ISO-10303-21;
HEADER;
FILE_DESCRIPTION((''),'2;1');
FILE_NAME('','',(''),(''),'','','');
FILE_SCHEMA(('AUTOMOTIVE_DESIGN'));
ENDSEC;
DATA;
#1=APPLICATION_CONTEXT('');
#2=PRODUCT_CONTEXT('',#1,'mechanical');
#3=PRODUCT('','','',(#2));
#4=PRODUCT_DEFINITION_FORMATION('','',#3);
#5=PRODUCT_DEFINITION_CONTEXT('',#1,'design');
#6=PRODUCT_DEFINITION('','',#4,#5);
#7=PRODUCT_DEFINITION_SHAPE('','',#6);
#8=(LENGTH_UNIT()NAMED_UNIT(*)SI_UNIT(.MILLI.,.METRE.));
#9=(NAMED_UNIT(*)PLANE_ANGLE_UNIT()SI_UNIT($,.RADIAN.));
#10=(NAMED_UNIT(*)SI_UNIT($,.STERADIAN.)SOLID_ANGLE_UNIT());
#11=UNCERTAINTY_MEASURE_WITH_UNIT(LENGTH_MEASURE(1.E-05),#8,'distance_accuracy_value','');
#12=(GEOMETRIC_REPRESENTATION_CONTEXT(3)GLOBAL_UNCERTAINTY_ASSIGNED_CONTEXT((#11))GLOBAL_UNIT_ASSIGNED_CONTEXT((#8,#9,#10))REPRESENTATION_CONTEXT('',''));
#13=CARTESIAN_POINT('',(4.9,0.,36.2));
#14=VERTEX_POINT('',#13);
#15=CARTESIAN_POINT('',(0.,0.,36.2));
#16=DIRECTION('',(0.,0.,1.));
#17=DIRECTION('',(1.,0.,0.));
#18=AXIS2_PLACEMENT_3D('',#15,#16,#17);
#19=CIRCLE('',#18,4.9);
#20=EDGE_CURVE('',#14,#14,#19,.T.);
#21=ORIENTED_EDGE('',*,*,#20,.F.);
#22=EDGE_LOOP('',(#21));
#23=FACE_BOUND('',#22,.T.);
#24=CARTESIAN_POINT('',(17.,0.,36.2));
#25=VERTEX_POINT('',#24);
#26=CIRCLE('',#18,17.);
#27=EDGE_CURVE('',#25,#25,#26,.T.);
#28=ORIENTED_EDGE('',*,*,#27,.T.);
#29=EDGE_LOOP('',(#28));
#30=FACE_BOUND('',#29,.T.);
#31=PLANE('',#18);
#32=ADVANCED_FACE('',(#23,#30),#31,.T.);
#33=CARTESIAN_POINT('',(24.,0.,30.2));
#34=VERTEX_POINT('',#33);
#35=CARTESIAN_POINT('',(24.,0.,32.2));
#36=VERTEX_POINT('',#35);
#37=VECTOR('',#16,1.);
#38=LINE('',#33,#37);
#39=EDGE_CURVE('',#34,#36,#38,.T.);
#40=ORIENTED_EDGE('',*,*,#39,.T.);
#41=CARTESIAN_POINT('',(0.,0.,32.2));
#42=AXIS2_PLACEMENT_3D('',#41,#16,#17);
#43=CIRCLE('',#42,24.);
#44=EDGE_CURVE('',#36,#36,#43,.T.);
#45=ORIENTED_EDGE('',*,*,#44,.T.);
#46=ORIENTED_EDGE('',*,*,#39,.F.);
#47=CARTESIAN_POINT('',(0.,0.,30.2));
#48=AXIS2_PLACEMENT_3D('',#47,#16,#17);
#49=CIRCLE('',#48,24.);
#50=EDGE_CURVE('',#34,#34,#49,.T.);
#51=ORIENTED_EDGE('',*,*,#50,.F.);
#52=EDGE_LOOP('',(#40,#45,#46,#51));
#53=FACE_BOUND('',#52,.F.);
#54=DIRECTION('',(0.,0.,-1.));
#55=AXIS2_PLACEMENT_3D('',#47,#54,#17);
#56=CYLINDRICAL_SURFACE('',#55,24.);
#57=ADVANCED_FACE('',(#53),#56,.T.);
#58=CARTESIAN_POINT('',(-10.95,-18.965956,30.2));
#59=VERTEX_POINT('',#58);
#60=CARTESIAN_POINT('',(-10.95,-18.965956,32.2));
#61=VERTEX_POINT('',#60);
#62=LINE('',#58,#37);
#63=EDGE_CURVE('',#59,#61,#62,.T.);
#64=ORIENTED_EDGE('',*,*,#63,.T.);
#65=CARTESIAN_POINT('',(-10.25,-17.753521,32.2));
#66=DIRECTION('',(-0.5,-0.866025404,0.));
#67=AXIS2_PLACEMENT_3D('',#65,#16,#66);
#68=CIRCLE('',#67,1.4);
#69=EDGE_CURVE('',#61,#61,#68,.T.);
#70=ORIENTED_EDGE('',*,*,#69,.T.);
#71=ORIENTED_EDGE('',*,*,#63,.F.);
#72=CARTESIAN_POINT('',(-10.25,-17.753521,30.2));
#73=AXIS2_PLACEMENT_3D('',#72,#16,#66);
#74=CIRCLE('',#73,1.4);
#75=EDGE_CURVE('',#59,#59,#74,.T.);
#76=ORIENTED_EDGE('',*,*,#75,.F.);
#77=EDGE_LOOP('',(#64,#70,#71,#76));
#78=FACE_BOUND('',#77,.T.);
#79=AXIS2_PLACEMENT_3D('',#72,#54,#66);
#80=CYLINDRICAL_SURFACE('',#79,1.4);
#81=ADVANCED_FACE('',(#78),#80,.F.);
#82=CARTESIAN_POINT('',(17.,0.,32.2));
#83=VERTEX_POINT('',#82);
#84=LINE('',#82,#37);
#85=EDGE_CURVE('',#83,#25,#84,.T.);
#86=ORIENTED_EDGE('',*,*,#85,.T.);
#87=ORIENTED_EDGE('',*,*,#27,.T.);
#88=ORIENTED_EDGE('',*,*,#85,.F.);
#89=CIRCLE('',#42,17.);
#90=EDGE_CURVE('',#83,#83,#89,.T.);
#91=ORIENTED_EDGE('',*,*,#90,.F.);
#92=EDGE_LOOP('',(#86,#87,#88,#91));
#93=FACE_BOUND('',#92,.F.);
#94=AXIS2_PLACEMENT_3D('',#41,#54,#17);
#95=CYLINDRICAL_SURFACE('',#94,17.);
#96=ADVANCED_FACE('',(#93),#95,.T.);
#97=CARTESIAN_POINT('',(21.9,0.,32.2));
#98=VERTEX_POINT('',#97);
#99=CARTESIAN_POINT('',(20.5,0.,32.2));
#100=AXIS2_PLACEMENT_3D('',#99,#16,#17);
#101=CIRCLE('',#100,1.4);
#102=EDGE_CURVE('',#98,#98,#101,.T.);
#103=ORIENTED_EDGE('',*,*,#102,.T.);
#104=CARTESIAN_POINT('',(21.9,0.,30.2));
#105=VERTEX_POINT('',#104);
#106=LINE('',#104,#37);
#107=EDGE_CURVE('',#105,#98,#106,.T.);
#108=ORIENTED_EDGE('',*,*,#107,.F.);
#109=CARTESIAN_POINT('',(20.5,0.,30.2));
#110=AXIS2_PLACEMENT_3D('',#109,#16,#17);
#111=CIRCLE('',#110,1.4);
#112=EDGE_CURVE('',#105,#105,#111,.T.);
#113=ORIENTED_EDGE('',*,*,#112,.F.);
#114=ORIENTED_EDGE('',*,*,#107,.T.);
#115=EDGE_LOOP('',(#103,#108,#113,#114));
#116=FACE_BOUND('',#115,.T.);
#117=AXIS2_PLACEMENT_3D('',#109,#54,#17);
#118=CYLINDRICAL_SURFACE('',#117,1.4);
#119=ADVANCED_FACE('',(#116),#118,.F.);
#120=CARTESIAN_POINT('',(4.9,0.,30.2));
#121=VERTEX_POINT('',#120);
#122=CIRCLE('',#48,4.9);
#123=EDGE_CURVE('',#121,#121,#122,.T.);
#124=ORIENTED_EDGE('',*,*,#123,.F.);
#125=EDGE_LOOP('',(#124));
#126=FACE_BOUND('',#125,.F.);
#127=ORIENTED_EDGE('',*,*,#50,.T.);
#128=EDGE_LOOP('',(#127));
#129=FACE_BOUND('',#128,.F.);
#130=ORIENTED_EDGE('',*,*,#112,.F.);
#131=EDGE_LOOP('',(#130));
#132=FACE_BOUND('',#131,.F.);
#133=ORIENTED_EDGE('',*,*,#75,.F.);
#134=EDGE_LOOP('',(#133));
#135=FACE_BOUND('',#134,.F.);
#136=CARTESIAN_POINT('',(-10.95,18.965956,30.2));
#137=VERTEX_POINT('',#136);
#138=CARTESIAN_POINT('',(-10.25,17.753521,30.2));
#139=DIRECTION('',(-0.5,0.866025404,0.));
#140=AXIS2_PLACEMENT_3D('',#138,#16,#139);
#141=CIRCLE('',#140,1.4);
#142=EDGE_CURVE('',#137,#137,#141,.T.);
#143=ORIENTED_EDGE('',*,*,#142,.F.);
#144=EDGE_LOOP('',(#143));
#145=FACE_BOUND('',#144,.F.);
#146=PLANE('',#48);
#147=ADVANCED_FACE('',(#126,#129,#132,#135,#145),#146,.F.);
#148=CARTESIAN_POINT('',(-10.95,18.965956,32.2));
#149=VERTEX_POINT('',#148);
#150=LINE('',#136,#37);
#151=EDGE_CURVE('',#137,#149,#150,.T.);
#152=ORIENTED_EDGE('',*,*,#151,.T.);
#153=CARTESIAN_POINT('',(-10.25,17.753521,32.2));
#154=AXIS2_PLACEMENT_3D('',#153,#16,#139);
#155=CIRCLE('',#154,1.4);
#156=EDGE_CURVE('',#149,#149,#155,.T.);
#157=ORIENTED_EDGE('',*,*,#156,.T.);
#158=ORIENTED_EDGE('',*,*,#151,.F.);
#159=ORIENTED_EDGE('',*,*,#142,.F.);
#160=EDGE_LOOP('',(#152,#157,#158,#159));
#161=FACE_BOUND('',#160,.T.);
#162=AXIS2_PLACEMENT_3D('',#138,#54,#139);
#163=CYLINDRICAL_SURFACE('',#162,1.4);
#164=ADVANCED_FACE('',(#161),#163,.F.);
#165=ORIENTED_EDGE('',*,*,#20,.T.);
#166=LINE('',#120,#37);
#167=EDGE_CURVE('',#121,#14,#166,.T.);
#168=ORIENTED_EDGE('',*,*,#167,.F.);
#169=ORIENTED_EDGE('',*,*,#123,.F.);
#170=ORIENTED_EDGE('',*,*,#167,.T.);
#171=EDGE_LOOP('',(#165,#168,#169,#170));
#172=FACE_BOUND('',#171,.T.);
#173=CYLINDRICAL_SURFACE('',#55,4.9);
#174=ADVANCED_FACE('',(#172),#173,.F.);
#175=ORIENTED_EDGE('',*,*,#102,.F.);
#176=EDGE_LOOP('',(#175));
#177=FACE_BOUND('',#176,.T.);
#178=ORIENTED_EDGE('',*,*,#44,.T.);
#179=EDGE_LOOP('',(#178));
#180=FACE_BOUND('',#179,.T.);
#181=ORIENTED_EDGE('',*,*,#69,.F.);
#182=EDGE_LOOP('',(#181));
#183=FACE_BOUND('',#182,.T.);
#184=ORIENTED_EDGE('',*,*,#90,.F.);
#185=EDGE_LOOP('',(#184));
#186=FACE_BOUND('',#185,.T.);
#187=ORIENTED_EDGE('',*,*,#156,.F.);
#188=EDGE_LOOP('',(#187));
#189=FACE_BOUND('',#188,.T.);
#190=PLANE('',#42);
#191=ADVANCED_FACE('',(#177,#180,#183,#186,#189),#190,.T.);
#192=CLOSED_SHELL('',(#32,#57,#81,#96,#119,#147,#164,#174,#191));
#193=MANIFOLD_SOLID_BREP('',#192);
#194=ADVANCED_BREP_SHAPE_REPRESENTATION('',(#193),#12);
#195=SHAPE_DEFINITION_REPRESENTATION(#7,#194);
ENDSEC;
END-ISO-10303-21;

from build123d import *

# Parameters (mm, degrees)
CYLINDER058_R     = 1.4
CYLINDER058_DEPTH = 2
ARRAY012_COUNT    = 3
CYLINDER057_R     = 4.9
CYLINDER057_DEPTH = 6
CYLINDER056_R     = 24
CYLINDER056_DEPTH = 2
CYLINDER055_R     = 17
CYLINDER055_DEPTH = 4


with BuildPart() as screw_holes:
    # Cylinder058 → Cylinder058 (new body)
    with BuildSketch(Plane(origin=(20.5, 0, 0), x_dir=(1, 0, 0), z_dir=(0, 0, 1))):
        Circle(CYLINDER058_R)
    extrude(amount=CYLINDER058_DEPTH)

    # Array012: screw-holes ×3 about axis
    array012_axis = Axis((0, 0, 0), (0, 0, 1))


with BuildPart() as screw_holes_1:
    add(screw_holes.part)
    for i in range(1, ARRAY012_COUNT):
        add(screw_holes.part.rotate(array012_axis, i * 360 / ARRAY012_COUNT))


with BuildPart() as pot_thread_hole:
    # Cylinder057 → Cylinder057 (new body)
    with BuildSketch(Plane.XY):
        Circle(CYLINDER057_R)
    extrude(amount=CYLINDER057_DEPTH)


with BuildPart() as brim:
    # Cylinder056 → Cylinder056 (new body)
    with BuildSketch(Plane.XY):
        Circle(CYLINDER056_R)
    extrude(amount=CYLINDER056_DEPTH)


with BuildPart() as pot_mount001:
    # Cylinder055 → Cylinder055 (new body)
    with BuildSketch(Plane.XY.offset(2)):
        Circle(CYLINDER055_R)
    extrude(amount=CYLINDER055_DEPTH)

    # Fusion025: union brim
    add(brim.part)

    # Cut046: cut pot-thread-hole
    add(pot_thread_hole.part, mode=Mode.SUBTRACT)

    # Cut047: cut screw-holes
    add(screw_holes_1.part, mode=Mode.SUBTRACT)


with BuildPart() as pot_mount001_1:
    # Cut047 placement: moved
    add(pot_mount001.part.moved(Location((0, 0, 30.2))))


solid = pot_mount001_1.part
